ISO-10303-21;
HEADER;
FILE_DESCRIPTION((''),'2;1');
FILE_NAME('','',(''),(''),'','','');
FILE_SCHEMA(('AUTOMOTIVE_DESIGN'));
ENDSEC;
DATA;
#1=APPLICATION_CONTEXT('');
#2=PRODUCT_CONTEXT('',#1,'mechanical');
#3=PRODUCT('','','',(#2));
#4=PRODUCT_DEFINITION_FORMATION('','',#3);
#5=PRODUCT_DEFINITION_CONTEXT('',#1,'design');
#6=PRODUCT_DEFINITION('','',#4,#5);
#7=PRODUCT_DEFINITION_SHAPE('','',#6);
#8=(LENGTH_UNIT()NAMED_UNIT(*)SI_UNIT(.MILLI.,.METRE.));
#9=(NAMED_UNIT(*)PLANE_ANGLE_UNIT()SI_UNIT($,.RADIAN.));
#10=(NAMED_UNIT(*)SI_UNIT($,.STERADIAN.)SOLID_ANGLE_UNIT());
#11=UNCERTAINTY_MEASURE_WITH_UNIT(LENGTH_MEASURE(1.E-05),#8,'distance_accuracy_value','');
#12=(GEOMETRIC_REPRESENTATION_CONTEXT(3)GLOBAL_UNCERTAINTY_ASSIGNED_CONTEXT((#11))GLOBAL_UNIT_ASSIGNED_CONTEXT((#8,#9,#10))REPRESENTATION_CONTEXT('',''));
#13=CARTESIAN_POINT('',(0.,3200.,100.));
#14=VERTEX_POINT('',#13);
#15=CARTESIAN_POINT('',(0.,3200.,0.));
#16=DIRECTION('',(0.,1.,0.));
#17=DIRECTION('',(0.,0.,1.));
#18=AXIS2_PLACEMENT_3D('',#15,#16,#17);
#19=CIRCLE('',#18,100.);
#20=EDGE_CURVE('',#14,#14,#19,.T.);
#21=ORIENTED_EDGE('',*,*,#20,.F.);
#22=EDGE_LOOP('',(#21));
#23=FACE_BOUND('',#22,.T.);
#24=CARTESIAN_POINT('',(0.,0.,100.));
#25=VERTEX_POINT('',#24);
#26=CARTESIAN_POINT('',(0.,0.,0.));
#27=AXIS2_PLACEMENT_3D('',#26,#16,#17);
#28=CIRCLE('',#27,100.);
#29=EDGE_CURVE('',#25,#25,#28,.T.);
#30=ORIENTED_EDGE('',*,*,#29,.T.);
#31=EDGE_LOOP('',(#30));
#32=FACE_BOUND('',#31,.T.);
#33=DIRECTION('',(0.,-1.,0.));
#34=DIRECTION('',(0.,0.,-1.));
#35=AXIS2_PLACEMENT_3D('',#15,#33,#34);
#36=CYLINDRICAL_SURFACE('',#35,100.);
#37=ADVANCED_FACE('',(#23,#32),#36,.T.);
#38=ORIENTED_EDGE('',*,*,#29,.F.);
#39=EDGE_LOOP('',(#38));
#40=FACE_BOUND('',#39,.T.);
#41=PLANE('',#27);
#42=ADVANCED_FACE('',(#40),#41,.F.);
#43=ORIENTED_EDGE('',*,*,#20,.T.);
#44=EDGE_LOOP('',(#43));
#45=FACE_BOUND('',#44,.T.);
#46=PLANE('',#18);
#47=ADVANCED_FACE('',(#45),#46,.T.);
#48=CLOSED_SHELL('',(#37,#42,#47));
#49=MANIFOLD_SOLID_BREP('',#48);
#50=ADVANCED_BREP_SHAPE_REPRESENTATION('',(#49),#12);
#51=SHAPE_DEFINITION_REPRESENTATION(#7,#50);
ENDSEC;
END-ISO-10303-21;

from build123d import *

# Parameters (mm, degrees)
IZIM1_R                     = 100
Y_KSEKLIK_EKSTR_ZYON1_DEPTH = 3200


with BuildPart() as part:
    # Çizim1 → Yükseklik-Ekstrüzyon1 (new body)
    with BuildSketch(Plane(origin=(0, 0, 0), x_dir=(1, 0, 0), z_dir=(0, 1, 0))):
        Circle(IZIM1_R)
    extrude(amount=Y_KSEKLIK_EKSTR_ZYON1_DEPTH)


solid = part.part
